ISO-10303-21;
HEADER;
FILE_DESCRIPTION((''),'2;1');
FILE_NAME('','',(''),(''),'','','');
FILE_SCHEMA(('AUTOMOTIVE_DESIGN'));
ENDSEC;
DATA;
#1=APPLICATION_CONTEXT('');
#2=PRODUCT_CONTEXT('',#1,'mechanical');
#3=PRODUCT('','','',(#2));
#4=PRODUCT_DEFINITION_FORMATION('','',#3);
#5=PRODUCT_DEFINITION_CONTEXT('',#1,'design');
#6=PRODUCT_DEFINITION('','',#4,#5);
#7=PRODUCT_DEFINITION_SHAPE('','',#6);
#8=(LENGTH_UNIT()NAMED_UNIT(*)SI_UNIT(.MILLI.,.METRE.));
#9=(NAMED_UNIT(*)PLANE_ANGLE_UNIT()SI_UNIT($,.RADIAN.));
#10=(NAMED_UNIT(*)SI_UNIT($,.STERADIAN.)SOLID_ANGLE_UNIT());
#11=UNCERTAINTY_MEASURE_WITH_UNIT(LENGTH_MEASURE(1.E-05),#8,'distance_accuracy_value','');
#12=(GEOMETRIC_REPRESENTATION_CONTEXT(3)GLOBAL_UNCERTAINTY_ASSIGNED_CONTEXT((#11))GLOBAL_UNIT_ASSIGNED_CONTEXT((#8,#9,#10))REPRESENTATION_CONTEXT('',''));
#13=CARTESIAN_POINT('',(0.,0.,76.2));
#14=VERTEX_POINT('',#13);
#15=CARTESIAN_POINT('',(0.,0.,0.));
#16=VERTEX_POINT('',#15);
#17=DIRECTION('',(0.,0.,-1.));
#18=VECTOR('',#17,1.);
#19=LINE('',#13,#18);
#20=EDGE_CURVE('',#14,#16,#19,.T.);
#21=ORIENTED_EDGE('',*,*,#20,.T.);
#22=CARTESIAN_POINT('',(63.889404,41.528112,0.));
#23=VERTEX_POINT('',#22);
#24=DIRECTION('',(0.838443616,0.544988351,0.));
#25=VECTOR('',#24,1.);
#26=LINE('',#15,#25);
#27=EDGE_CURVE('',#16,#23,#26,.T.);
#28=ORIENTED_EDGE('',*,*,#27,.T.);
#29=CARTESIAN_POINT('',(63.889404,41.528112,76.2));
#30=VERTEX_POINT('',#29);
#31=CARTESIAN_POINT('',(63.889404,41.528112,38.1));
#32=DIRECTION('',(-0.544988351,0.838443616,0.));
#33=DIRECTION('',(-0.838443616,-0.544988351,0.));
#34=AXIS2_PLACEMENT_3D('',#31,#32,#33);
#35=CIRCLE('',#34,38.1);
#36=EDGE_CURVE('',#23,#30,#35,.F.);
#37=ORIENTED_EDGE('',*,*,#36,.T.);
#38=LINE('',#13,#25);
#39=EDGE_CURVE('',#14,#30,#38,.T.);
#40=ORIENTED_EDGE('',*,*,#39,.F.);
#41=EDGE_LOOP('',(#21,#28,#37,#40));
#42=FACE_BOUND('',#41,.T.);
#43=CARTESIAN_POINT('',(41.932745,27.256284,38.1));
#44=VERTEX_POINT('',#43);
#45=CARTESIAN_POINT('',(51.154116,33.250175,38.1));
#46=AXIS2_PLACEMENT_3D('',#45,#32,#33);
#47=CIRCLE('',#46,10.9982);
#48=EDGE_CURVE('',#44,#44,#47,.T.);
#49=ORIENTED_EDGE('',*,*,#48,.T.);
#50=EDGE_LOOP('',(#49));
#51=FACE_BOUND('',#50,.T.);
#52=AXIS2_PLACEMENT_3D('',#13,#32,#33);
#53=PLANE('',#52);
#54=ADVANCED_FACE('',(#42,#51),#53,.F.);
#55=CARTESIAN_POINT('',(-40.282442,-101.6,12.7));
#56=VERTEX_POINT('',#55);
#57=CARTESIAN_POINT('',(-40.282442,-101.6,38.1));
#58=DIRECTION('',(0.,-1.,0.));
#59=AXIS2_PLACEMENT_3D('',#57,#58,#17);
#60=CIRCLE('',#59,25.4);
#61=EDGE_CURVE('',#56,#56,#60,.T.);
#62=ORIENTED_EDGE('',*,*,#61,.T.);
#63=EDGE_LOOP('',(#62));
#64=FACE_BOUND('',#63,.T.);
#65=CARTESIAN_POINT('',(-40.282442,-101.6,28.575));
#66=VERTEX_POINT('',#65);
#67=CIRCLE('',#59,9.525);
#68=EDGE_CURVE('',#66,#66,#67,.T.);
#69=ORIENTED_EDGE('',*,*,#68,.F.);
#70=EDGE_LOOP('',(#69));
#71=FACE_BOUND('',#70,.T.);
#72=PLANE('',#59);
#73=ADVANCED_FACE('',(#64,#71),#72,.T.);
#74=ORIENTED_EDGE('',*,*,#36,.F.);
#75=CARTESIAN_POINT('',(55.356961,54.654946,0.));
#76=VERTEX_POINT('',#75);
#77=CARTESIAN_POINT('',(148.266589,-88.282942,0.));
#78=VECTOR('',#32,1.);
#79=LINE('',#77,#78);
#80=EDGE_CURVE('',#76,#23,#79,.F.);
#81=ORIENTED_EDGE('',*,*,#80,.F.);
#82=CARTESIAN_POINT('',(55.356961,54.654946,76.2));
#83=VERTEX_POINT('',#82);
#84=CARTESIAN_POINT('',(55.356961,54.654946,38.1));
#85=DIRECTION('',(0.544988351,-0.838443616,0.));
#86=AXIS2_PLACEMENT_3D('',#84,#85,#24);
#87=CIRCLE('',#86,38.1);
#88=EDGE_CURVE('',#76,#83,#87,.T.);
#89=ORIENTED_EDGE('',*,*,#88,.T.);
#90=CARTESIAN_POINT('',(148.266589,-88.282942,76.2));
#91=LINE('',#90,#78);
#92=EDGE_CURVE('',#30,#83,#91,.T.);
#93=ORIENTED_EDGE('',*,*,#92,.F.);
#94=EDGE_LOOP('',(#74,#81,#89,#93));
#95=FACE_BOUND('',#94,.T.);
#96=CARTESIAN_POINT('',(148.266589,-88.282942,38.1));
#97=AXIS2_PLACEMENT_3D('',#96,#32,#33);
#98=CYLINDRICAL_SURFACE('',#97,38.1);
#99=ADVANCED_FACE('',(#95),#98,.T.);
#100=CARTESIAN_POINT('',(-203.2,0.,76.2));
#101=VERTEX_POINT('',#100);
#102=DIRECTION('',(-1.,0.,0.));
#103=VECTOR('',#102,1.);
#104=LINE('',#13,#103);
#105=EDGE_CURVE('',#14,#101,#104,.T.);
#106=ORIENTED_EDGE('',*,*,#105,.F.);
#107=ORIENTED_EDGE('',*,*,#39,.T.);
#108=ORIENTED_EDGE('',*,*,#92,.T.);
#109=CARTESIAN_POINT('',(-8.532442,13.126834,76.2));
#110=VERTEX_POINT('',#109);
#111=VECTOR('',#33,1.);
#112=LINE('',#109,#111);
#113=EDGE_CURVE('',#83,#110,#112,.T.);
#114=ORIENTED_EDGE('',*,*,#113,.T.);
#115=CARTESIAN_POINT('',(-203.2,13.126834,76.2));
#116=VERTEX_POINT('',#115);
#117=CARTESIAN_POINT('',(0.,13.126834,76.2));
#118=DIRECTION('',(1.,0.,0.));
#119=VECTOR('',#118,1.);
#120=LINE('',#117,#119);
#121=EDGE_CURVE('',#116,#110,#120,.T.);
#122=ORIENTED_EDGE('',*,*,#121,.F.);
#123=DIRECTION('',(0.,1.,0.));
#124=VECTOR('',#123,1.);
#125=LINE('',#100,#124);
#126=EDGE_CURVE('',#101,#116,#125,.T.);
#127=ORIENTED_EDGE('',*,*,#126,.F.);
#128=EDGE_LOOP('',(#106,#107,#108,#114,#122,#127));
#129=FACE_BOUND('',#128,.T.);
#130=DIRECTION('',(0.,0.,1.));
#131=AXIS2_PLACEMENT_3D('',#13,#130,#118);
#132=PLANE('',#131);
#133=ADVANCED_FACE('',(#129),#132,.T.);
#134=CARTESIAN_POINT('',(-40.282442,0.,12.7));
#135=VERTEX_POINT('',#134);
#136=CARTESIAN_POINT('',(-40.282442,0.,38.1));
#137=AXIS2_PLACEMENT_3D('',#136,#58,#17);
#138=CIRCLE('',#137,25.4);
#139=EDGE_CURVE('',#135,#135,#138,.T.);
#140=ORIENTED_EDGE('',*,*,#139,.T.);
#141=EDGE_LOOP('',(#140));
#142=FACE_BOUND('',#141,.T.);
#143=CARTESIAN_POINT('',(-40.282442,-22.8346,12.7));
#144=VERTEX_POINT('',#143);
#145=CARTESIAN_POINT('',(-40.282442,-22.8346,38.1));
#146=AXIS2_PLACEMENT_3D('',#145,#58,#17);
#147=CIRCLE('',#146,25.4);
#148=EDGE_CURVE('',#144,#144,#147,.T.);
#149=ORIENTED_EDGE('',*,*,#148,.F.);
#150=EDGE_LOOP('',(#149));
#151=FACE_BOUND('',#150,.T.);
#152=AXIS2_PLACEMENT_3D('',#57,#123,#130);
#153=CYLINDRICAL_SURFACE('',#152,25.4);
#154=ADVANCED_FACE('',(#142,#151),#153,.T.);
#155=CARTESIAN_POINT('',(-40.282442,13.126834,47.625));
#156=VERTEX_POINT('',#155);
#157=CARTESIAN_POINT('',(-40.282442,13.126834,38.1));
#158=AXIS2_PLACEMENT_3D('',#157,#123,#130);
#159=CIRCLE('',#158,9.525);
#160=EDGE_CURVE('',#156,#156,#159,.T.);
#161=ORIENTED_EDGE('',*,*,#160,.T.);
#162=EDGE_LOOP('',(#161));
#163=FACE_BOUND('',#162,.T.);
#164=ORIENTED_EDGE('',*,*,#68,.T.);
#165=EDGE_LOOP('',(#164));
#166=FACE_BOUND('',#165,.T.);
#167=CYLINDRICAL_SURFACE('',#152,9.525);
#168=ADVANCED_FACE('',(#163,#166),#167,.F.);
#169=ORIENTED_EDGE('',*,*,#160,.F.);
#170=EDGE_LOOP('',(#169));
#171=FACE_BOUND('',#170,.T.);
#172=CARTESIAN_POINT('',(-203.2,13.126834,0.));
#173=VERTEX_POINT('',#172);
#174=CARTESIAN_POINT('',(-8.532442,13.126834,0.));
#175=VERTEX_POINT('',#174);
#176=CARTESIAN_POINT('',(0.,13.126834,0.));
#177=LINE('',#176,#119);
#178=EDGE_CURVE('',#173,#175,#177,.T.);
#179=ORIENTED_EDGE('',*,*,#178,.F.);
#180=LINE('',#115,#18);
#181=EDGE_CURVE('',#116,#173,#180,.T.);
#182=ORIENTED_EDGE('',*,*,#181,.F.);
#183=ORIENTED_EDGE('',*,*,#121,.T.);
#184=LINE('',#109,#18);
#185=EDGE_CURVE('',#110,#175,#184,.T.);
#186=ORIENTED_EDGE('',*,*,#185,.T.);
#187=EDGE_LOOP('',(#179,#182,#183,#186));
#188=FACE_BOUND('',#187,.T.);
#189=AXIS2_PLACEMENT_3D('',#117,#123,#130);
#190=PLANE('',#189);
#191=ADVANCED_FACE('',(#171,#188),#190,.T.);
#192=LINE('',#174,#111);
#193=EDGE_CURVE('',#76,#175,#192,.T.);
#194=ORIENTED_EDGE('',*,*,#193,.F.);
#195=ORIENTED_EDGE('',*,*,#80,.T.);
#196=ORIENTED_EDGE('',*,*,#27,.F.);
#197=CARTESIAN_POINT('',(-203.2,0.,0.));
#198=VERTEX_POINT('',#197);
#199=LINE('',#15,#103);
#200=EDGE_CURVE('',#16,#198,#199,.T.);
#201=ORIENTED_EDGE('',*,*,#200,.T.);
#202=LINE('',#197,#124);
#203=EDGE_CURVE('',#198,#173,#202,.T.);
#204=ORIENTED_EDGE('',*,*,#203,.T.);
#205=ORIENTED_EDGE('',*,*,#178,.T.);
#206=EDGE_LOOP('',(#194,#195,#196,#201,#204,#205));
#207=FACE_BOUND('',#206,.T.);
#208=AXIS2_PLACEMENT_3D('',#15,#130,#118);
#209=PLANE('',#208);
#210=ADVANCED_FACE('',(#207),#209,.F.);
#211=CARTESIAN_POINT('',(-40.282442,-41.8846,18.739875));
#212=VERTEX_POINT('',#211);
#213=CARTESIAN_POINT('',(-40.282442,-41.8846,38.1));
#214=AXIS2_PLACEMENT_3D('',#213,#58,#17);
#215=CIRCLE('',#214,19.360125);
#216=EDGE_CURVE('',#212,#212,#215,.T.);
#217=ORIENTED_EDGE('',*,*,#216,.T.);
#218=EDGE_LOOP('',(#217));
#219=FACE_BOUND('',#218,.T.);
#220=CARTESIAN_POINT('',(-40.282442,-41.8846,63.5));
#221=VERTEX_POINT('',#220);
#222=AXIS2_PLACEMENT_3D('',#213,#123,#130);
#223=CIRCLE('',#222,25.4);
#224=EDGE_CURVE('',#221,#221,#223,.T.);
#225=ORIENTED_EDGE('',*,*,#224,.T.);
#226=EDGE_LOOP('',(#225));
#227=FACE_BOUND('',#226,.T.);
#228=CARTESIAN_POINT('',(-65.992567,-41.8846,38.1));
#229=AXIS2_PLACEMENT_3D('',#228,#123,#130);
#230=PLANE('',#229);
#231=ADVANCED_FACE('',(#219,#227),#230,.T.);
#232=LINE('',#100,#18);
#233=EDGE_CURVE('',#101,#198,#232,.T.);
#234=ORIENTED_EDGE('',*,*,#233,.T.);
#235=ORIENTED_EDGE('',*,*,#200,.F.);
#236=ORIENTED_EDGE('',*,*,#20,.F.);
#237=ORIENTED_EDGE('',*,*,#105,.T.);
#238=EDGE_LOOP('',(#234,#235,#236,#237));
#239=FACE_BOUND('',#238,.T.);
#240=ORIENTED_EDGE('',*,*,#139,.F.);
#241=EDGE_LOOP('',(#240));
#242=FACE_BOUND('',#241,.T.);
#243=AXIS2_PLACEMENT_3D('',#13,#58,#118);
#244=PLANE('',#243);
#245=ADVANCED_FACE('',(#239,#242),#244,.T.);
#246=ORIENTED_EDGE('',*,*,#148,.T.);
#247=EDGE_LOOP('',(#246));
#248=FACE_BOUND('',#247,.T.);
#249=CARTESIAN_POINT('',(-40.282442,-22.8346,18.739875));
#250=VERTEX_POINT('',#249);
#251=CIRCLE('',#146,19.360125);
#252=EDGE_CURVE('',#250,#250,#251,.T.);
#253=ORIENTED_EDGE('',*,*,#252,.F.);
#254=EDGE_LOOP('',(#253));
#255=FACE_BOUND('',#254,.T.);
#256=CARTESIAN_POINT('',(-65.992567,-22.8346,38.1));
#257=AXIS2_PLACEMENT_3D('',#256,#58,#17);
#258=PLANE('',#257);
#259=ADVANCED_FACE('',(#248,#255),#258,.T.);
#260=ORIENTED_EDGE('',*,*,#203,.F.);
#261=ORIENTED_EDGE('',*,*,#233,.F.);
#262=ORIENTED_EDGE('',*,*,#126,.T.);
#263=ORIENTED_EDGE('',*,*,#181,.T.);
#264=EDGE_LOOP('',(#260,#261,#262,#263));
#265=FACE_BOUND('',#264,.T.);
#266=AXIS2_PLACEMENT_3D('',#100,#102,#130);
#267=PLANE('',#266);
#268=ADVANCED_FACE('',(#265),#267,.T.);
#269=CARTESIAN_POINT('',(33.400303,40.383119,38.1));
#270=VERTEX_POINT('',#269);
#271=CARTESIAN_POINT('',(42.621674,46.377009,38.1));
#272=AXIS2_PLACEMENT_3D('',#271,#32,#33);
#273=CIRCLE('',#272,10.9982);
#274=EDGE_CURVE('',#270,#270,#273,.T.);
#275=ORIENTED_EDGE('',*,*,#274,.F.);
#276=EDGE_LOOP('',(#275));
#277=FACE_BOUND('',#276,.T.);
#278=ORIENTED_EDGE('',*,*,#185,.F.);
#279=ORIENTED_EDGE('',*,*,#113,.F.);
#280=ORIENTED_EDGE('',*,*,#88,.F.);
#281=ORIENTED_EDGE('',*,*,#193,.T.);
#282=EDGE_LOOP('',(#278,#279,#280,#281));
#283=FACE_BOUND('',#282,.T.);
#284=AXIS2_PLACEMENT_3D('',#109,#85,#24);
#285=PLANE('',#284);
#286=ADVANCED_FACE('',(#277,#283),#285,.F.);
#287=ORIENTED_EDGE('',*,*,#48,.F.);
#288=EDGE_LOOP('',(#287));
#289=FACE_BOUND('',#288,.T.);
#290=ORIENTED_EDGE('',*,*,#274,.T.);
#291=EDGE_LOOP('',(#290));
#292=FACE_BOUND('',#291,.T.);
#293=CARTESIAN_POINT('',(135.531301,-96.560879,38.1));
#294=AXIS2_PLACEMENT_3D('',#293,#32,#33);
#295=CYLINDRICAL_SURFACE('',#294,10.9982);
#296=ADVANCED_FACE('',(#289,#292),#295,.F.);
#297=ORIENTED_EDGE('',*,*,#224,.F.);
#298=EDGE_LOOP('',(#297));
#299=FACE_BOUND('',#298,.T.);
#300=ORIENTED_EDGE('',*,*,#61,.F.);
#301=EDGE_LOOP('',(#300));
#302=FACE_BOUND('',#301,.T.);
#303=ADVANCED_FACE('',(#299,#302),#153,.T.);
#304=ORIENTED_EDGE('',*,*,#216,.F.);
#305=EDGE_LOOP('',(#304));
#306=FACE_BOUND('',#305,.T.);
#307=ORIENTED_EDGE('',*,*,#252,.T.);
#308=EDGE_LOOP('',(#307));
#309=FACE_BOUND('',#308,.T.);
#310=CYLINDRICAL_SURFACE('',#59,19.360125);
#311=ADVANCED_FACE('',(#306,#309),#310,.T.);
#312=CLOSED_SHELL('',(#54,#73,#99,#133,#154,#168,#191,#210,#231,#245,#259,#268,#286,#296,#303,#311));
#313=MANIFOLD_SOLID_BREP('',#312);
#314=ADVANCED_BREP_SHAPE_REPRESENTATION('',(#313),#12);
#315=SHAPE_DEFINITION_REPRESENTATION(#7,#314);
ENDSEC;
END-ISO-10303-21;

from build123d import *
from build123d.topology import SkipClean

# Parameters (mm, degrees)
BOSS_EXTRUDE1_DEPTH = 76.2
SKETCH2_R           = 25.4
SKETCH2_R_2         = 9.525
BOSS_EXTRUDE2_DEPTH = 101.6
SKETCH4_W           = 6.35
SKETCH4_H           = 19.05
SKETCH5_R           = 9.525
CUT_EXTRUDE1_DEPTH  = 240.623120754
SKETCH7_R           = 10.9982
CUT_EXTRUDE2_DEPTH  = 239.462040028
CUT_EXTRUDE3_DEPTH  = 239.462040028


with BuildPart() as part:
    # Sketch1 → Boss-Extrude1 (new body)
    with BuildSketch(Plane.XY):
        Polygon((-203.2, 13.126834176), (-8.532442214, 13.126834176), (0, 0), (-203.2, 0), align=None)
        Polygon((119.24636491, 96.183058807), (-8.532442214, 13.126834176), (0, 0), (127.778807124, 83.056224631), align=None)
    extrude(amount=BOSS_EXTRUDE1_DEPTH)

    # Sketch2 → Boss-Extrude2 (add)
    with BuildSketch(Plane.XZ):
        with Locations(Location((-40.282442214, 38.1, 0), (0, 0, 270))):
            Circle(SKETCH2_R)
        with Locations((-40.282442214, 38.1)):
            Circle(SKETCH2_R_2, mode=Mode.SUBTRACT)
    extrude(amount=BOSS_EXTRUDE2_DEPTH)

    # Sketch4 → Cut-Revolve1 (revolve, cut)
    with BuildSketch(Plane.XY.offset(38.1), mode=Mode.PRIVATE) as cut_revolve1_sk:
        with Locations((-62.817567444, -32.3596)):
            Rectangle(SKETCH4_W, SKETCH4_H)
    revolve(cut_revolve1_sk.sketch.rotate(Axis((-40.282442214, -101.6, 38.1), (0, 1, 0)), 270), axis=Axis((-40.282442214, -101.6, 38.1), (0, 1, 0)), mode=Mode.SUBTRACT)

    # Sketch5 → Cut-Extrude1 (cut, through all)
    with SkipClean():  # the faces are left unmerged after this step: merging them gives an invalid solid
        with BuildSketch(Plane.XZ):
            with Locations(Location((-40.282442214, 38.1, 0), (0, 0, 90))):
                Circle(SKETCH5_R)
        extrude(amount=-CUT_EXTRUDE1_DEPTH, mode=Mode.SUBTRACT)

    # Sketch7 → Cut-Extrude2 (cut, through all)
    with SkipClean():  # the faces are left unmerged after this step: merging them gives an invalid solid
        with BuildSketch(Plane(origin=(-8.532442214, 13.126834176, 0), x_dir=(0.8384436163006369, 0.5449883505954145, 0), z_dir=(-0.5449883505954145, 0.838443616300637, 0))):
            with Locations(Location((61.0108, -38.1, 0), (0, 0, 180))):
                Circle(SKETCH7_R)
        extrude(amount=-CUT_EXTRUDE2_DEPTH, mode=Mode.SUBTRACT)

    # Sketch8 → Cut-Extrude3 (cut, through all)
    with SkipClean():  # the faces are left unmerged after this step: merging them gives an invalid solid
        with BuildSketch(Plane(origin=(-8.532442214, 13.126834176, 0), x_dir=(0.8384436163006369, 0.5449883505954145, 0), z_dir=(-0.5449883505954145, 0.838443616300637, 0))):
            with BuildLine():
                Line((76.2, 0), (152.4, 0))
                Line((152.4, 0), (152.4, -76.2))
                Line((152.4, -76.2), (76.2, -76.2))
                ThreePointArc((76.2, -76.2), (114.3, -38.1), (76.2, 0))
            make_face()
        extrude(amount=-CUT_EXTRUDE3_DEPTH, mode=Mode.SUBTRACT)


solid = part.part
